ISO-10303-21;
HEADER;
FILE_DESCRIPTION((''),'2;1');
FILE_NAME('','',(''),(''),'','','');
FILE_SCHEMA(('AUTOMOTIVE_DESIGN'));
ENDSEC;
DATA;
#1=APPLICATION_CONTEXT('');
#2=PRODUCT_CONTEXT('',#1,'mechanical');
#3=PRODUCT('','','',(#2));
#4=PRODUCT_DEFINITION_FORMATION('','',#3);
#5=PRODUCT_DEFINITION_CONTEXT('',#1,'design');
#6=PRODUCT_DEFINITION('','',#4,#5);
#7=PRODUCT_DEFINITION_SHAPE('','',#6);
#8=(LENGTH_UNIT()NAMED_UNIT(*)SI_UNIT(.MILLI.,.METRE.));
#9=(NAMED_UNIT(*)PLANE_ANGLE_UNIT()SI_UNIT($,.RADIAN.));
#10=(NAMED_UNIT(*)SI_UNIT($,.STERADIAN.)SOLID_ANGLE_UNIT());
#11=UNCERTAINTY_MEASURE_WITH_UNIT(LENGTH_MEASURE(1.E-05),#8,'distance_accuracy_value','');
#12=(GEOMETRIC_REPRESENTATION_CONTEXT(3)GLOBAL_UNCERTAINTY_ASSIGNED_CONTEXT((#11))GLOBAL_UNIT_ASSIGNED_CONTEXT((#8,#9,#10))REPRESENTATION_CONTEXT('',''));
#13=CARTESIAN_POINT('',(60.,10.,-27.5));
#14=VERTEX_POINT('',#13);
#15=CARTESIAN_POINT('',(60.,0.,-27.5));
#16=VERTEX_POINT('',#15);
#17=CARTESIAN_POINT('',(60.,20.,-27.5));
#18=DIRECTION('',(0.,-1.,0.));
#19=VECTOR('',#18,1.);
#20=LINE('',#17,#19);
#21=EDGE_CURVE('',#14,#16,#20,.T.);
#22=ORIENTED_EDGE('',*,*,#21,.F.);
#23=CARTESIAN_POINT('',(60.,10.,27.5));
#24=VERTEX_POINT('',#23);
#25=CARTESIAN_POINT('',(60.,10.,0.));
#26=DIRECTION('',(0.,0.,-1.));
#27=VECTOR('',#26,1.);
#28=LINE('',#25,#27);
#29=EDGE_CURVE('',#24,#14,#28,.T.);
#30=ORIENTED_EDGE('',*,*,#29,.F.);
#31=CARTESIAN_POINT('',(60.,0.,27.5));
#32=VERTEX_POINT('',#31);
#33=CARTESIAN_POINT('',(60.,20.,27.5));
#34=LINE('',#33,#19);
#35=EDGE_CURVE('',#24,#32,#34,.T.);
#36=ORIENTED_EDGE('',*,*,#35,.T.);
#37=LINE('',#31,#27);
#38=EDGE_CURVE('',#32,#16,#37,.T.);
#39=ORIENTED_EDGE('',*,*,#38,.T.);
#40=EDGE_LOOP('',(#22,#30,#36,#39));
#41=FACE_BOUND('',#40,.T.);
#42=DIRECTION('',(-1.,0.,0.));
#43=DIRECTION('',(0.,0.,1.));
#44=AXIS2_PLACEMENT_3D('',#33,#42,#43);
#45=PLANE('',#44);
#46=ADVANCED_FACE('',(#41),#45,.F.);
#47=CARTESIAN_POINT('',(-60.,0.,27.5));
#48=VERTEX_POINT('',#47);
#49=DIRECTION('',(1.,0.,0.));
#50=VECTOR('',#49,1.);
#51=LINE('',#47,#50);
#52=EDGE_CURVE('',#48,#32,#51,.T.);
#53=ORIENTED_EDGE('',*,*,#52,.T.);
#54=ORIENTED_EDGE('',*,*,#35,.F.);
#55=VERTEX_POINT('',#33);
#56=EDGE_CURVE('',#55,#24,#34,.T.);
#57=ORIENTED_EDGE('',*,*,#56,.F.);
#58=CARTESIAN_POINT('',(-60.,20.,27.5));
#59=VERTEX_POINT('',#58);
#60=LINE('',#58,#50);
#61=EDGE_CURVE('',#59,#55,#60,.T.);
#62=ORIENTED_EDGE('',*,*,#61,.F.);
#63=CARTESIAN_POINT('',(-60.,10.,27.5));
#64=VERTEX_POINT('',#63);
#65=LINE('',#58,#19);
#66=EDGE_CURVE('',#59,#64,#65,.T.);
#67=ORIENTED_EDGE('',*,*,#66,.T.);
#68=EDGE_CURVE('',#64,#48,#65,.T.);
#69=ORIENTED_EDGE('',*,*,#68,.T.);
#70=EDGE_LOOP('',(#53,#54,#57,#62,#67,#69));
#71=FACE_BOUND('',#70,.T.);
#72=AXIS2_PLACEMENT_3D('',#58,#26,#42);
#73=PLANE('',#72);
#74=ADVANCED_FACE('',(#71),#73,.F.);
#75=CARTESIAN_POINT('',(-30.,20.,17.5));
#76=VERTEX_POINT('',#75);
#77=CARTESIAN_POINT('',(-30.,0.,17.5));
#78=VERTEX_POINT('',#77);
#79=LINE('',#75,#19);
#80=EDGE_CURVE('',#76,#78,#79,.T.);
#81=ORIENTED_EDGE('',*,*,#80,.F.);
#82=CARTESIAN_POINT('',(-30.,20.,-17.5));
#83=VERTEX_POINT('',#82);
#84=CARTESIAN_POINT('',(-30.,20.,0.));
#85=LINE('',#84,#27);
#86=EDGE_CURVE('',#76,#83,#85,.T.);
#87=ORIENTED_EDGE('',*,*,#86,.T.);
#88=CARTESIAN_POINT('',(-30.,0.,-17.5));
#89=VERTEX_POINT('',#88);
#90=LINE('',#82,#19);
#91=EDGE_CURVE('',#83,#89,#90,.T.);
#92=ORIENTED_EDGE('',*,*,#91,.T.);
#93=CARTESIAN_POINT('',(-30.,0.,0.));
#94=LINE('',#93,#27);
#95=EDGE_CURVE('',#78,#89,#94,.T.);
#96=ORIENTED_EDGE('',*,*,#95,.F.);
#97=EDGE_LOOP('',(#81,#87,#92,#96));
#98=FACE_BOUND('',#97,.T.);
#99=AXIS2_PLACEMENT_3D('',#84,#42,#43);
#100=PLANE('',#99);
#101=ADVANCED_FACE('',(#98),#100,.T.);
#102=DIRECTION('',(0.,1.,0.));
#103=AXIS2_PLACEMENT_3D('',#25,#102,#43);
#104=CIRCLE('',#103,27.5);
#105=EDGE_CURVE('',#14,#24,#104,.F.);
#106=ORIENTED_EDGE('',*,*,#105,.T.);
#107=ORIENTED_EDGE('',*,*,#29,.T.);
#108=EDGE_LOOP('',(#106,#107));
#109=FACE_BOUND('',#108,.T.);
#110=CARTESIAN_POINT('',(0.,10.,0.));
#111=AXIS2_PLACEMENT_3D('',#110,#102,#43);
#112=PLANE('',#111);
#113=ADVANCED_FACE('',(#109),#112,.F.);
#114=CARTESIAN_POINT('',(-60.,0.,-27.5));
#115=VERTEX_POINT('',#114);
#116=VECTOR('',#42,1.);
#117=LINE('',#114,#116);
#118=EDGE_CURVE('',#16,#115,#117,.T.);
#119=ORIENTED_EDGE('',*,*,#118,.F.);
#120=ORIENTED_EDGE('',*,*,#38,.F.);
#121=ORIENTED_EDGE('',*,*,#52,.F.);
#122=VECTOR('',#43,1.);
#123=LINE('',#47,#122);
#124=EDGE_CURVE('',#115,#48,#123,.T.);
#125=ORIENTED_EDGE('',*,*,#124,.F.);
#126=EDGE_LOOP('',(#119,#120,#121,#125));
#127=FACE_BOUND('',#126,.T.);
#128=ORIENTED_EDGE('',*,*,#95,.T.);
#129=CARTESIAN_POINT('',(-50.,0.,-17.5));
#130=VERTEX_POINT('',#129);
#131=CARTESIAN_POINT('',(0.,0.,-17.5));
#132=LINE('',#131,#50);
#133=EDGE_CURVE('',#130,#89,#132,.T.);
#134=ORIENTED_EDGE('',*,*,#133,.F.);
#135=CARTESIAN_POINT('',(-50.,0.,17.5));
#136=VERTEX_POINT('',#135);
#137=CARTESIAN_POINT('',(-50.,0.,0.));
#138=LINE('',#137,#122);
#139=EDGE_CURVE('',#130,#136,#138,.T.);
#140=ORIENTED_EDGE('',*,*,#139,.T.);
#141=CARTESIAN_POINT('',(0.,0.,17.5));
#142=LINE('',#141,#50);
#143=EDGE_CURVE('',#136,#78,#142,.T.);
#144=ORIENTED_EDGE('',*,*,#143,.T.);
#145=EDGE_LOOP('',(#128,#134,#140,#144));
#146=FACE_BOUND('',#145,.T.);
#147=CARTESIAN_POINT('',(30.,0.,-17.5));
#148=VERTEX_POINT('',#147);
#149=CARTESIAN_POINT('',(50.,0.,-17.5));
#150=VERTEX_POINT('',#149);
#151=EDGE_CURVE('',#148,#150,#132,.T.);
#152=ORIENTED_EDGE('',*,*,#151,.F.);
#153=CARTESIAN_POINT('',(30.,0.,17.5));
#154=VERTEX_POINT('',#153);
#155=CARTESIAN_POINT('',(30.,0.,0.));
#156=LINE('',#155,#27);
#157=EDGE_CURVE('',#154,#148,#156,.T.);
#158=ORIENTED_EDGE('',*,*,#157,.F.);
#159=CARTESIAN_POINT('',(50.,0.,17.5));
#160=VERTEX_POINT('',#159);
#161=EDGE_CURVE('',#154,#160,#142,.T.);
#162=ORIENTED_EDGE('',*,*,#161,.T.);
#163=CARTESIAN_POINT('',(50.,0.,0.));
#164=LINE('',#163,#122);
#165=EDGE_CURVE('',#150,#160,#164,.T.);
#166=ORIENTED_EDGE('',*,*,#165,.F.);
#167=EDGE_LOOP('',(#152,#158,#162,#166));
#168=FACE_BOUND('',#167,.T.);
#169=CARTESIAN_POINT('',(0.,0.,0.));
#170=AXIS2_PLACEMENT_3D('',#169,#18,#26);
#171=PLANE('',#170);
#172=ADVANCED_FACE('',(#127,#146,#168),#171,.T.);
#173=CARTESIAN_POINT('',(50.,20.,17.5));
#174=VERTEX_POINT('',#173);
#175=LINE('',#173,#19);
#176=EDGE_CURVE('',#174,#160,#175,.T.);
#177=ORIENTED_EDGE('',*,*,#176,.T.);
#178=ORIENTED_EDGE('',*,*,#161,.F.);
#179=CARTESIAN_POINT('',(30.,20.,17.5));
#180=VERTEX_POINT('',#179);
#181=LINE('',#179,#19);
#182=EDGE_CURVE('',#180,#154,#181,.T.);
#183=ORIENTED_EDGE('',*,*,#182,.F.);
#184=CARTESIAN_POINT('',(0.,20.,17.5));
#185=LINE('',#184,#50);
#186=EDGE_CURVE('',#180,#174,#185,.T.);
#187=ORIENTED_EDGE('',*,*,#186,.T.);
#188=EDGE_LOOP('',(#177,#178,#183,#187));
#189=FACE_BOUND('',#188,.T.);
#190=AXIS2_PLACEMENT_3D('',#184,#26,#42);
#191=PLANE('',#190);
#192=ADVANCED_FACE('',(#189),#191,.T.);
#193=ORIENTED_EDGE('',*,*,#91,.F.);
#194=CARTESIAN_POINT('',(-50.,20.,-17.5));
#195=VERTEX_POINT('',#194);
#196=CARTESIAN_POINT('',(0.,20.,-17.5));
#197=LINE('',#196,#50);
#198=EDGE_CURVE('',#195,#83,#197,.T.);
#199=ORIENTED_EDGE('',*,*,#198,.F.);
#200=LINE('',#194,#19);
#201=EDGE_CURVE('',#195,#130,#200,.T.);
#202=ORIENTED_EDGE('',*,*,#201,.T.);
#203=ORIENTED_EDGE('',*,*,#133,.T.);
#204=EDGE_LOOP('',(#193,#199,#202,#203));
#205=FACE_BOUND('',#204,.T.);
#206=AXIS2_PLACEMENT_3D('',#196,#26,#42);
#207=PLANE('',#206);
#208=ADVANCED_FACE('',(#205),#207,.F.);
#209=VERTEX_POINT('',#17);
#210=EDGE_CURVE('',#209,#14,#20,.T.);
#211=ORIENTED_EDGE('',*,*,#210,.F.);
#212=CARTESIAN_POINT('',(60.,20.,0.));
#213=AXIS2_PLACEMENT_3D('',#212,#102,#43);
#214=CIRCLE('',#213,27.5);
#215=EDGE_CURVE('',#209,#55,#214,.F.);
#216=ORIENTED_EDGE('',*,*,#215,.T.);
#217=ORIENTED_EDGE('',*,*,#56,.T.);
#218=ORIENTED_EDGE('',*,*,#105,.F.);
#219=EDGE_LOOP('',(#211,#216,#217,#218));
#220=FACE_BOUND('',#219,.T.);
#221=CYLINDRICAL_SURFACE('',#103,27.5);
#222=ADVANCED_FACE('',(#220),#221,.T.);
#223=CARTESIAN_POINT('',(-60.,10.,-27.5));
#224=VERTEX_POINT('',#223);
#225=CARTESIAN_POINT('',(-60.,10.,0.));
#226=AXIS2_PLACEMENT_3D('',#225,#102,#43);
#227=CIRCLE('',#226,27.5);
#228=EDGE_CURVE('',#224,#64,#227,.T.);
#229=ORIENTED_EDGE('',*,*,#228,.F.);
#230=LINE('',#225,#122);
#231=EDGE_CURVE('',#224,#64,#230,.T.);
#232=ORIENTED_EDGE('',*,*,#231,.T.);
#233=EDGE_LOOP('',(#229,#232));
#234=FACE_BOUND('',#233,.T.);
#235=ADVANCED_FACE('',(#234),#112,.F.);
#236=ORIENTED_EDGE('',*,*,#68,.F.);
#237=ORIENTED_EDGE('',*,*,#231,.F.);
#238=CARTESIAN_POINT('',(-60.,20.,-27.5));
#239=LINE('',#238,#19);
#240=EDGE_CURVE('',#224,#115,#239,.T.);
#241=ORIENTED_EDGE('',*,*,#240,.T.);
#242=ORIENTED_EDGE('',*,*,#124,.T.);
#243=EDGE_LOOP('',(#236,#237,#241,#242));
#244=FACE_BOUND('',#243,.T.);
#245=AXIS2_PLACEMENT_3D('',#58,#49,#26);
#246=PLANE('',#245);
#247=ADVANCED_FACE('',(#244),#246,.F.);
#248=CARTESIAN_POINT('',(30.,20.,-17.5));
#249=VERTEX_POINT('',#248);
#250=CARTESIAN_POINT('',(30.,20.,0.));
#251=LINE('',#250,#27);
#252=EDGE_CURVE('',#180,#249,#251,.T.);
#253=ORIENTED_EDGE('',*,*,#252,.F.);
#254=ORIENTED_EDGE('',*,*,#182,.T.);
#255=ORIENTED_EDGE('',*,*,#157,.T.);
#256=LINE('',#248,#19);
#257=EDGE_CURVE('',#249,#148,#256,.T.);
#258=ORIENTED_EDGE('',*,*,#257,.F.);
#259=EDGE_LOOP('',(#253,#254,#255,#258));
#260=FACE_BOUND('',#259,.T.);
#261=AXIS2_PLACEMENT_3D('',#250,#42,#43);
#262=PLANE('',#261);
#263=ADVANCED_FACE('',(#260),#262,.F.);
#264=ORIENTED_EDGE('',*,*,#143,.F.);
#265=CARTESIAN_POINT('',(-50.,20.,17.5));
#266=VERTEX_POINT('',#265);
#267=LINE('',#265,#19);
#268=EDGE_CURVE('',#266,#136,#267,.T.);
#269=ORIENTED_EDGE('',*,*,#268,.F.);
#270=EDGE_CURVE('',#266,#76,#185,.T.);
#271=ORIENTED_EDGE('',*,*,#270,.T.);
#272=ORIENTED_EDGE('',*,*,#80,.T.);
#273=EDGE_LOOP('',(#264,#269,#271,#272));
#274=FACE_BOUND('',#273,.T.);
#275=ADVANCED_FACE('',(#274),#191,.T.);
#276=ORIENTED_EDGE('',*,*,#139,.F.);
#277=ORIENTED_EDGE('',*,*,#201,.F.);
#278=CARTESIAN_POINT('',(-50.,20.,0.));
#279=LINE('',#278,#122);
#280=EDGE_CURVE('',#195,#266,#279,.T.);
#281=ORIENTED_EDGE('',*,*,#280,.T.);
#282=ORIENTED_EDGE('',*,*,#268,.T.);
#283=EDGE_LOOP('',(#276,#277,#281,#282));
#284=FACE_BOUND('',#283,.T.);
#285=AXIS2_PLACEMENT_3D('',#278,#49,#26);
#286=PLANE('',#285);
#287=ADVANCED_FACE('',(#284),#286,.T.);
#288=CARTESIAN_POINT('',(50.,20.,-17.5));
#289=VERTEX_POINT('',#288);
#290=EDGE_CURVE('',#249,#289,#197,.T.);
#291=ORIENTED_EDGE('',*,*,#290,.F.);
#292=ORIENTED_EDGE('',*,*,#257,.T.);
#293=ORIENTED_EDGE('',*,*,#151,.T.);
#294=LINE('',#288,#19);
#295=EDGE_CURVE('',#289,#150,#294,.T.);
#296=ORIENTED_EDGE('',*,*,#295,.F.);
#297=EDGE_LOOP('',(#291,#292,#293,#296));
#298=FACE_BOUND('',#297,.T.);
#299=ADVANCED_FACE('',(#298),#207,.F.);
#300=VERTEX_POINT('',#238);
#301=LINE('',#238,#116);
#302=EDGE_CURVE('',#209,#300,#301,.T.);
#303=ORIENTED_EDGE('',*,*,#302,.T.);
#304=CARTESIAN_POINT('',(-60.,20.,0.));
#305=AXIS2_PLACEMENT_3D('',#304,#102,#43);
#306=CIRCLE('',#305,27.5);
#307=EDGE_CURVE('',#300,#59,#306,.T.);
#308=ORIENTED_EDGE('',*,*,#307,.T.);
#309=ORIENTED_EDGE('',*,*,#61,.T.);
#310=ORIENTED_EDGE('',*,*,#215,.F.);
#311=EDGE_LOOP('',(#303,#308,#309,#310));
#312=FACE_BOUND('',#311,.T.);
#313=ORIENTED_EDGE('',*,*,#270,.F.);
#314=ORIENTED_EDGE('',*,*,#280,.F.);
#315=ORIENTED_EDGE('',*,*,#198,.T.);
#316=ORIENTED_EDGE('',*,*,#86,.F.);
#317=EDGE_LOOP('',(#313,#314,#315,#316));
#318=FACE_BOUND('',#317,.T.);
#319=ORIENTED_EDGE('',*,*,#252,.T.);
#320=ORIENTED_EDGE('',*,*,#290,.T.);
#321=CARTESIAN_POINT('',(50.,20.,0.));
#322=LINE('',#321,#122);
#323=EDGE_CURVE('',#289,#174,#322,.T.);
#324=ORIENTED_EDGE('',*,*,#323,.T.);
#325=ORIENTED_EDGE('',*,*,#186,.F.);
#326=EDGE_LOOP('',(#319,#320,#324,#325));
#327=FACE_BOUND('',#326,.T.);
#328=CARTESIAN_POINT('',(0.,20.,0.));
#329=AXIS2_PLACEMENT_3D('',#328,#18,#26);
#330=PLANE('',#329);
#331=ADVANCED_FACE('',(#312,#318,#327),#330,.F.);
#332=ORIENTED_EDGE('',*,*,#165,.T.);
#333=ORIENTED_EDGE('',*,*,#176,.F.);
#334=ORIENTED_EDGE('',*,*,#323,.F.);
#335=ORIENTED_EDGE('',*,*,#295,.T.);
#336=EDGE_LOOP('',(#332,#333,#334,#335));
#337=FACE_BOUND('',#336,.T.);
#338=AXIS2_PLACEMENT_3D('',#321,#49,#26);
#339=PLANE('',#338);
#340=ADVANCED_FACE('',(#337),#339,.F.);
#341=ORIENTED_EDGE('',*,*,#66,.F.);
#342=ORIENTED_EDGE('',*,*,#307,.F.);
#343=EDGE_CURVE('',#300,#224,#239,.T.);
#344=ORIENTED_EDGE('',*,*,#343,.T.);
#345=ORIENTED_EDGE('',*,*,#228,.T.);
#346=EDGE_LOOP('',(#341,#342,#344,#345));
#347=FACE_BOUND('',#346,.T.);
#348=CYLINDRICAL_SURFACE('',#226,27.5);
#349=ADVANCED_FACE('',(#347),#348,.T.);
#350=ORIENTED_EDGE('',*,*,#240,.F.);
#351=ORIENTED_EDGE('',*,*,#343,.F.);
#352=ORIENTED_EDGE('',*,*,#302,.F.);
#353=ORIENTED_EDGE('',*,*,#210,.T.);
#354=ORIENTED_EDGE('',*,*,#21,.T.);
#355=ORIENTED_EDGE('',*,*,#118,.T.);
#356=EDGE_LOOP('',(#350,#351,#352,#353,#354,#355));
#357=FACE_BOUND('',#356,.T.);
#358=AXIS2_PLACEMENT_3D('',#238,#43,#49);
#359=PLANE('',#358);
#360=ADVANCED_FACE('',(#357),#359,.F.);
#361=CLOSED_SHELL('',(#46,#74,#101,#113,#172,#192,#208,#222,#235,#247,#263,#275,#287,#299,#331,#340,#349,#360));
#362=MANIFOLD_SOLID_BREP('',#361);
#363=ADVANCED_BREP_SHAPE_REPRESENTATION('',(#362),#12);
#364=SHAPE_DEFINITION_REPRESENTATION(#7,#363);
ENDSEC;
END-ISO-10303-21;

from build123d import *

# Parameters (mm, degrees)
SKETCH2_W           = 120
SKETCH2_H           = 55
BOSS_EXTRUDE1_DEPTH = 20
SKETCH3_W           = 20
SKETCH3_H           = 35
CUT_EXTRUDE1_DEPTH  = 20
BOSS_EXTRUDE2_DEPTH = 10


with BuildPart() as part:
    # Sketch2 → Boss-Extrude1 (new body)
    with BuildSketch(Plane(origin=(0, 0, 0), x_dir=(1, 0, 0), z_dir=(0, 1, 0))):
        Rectangle(SKETCH2_W, SKETCH2_H)
    extrude(amount=BOSS_EXTRUDE1_DEPTH)

    # Sketch3 → Cut-Extrude1 (cut)
    with BuildSketch(Plane(origin=(0, 0, 0), x_dir=(-1, 0, 0), z_dir=(0, -1, 0))):
        with Locations((40, 0)):
            Rectangle(SKETCH3_W, SKETCH3_H)
        with Locations((-40, 0)):
            Rectangle(SKETCH3_W, SKETCH3_H)
    extrude(amount=-CUT_EXTRUDE1_DEPTH, mode=Mode.SUBTRACT)

    # Sketch4 → Boss-Extrude2 (add)
    with BuildSketch(Plane(origin=(0, 20, 0), x_dir=(1, 0, 0), z_dir=(0, 1, 0))):
        with BuildLine():
            ThreePointArc((-60, 27.5), (-87.5, 0), (-60, -27.5))
            Line((-60, -27.5), (-60, 27.5))
        make_face()
        with BuildLine():
            ThreePointArc((60, 27.5), (87.5, 0), (60, -27.5))
            Line((60, -27.5), (60, 27.5))
        make_face()
    extrude(amount=-BOSS_EXTRUDE2_DEPTH)


solid = part.part
